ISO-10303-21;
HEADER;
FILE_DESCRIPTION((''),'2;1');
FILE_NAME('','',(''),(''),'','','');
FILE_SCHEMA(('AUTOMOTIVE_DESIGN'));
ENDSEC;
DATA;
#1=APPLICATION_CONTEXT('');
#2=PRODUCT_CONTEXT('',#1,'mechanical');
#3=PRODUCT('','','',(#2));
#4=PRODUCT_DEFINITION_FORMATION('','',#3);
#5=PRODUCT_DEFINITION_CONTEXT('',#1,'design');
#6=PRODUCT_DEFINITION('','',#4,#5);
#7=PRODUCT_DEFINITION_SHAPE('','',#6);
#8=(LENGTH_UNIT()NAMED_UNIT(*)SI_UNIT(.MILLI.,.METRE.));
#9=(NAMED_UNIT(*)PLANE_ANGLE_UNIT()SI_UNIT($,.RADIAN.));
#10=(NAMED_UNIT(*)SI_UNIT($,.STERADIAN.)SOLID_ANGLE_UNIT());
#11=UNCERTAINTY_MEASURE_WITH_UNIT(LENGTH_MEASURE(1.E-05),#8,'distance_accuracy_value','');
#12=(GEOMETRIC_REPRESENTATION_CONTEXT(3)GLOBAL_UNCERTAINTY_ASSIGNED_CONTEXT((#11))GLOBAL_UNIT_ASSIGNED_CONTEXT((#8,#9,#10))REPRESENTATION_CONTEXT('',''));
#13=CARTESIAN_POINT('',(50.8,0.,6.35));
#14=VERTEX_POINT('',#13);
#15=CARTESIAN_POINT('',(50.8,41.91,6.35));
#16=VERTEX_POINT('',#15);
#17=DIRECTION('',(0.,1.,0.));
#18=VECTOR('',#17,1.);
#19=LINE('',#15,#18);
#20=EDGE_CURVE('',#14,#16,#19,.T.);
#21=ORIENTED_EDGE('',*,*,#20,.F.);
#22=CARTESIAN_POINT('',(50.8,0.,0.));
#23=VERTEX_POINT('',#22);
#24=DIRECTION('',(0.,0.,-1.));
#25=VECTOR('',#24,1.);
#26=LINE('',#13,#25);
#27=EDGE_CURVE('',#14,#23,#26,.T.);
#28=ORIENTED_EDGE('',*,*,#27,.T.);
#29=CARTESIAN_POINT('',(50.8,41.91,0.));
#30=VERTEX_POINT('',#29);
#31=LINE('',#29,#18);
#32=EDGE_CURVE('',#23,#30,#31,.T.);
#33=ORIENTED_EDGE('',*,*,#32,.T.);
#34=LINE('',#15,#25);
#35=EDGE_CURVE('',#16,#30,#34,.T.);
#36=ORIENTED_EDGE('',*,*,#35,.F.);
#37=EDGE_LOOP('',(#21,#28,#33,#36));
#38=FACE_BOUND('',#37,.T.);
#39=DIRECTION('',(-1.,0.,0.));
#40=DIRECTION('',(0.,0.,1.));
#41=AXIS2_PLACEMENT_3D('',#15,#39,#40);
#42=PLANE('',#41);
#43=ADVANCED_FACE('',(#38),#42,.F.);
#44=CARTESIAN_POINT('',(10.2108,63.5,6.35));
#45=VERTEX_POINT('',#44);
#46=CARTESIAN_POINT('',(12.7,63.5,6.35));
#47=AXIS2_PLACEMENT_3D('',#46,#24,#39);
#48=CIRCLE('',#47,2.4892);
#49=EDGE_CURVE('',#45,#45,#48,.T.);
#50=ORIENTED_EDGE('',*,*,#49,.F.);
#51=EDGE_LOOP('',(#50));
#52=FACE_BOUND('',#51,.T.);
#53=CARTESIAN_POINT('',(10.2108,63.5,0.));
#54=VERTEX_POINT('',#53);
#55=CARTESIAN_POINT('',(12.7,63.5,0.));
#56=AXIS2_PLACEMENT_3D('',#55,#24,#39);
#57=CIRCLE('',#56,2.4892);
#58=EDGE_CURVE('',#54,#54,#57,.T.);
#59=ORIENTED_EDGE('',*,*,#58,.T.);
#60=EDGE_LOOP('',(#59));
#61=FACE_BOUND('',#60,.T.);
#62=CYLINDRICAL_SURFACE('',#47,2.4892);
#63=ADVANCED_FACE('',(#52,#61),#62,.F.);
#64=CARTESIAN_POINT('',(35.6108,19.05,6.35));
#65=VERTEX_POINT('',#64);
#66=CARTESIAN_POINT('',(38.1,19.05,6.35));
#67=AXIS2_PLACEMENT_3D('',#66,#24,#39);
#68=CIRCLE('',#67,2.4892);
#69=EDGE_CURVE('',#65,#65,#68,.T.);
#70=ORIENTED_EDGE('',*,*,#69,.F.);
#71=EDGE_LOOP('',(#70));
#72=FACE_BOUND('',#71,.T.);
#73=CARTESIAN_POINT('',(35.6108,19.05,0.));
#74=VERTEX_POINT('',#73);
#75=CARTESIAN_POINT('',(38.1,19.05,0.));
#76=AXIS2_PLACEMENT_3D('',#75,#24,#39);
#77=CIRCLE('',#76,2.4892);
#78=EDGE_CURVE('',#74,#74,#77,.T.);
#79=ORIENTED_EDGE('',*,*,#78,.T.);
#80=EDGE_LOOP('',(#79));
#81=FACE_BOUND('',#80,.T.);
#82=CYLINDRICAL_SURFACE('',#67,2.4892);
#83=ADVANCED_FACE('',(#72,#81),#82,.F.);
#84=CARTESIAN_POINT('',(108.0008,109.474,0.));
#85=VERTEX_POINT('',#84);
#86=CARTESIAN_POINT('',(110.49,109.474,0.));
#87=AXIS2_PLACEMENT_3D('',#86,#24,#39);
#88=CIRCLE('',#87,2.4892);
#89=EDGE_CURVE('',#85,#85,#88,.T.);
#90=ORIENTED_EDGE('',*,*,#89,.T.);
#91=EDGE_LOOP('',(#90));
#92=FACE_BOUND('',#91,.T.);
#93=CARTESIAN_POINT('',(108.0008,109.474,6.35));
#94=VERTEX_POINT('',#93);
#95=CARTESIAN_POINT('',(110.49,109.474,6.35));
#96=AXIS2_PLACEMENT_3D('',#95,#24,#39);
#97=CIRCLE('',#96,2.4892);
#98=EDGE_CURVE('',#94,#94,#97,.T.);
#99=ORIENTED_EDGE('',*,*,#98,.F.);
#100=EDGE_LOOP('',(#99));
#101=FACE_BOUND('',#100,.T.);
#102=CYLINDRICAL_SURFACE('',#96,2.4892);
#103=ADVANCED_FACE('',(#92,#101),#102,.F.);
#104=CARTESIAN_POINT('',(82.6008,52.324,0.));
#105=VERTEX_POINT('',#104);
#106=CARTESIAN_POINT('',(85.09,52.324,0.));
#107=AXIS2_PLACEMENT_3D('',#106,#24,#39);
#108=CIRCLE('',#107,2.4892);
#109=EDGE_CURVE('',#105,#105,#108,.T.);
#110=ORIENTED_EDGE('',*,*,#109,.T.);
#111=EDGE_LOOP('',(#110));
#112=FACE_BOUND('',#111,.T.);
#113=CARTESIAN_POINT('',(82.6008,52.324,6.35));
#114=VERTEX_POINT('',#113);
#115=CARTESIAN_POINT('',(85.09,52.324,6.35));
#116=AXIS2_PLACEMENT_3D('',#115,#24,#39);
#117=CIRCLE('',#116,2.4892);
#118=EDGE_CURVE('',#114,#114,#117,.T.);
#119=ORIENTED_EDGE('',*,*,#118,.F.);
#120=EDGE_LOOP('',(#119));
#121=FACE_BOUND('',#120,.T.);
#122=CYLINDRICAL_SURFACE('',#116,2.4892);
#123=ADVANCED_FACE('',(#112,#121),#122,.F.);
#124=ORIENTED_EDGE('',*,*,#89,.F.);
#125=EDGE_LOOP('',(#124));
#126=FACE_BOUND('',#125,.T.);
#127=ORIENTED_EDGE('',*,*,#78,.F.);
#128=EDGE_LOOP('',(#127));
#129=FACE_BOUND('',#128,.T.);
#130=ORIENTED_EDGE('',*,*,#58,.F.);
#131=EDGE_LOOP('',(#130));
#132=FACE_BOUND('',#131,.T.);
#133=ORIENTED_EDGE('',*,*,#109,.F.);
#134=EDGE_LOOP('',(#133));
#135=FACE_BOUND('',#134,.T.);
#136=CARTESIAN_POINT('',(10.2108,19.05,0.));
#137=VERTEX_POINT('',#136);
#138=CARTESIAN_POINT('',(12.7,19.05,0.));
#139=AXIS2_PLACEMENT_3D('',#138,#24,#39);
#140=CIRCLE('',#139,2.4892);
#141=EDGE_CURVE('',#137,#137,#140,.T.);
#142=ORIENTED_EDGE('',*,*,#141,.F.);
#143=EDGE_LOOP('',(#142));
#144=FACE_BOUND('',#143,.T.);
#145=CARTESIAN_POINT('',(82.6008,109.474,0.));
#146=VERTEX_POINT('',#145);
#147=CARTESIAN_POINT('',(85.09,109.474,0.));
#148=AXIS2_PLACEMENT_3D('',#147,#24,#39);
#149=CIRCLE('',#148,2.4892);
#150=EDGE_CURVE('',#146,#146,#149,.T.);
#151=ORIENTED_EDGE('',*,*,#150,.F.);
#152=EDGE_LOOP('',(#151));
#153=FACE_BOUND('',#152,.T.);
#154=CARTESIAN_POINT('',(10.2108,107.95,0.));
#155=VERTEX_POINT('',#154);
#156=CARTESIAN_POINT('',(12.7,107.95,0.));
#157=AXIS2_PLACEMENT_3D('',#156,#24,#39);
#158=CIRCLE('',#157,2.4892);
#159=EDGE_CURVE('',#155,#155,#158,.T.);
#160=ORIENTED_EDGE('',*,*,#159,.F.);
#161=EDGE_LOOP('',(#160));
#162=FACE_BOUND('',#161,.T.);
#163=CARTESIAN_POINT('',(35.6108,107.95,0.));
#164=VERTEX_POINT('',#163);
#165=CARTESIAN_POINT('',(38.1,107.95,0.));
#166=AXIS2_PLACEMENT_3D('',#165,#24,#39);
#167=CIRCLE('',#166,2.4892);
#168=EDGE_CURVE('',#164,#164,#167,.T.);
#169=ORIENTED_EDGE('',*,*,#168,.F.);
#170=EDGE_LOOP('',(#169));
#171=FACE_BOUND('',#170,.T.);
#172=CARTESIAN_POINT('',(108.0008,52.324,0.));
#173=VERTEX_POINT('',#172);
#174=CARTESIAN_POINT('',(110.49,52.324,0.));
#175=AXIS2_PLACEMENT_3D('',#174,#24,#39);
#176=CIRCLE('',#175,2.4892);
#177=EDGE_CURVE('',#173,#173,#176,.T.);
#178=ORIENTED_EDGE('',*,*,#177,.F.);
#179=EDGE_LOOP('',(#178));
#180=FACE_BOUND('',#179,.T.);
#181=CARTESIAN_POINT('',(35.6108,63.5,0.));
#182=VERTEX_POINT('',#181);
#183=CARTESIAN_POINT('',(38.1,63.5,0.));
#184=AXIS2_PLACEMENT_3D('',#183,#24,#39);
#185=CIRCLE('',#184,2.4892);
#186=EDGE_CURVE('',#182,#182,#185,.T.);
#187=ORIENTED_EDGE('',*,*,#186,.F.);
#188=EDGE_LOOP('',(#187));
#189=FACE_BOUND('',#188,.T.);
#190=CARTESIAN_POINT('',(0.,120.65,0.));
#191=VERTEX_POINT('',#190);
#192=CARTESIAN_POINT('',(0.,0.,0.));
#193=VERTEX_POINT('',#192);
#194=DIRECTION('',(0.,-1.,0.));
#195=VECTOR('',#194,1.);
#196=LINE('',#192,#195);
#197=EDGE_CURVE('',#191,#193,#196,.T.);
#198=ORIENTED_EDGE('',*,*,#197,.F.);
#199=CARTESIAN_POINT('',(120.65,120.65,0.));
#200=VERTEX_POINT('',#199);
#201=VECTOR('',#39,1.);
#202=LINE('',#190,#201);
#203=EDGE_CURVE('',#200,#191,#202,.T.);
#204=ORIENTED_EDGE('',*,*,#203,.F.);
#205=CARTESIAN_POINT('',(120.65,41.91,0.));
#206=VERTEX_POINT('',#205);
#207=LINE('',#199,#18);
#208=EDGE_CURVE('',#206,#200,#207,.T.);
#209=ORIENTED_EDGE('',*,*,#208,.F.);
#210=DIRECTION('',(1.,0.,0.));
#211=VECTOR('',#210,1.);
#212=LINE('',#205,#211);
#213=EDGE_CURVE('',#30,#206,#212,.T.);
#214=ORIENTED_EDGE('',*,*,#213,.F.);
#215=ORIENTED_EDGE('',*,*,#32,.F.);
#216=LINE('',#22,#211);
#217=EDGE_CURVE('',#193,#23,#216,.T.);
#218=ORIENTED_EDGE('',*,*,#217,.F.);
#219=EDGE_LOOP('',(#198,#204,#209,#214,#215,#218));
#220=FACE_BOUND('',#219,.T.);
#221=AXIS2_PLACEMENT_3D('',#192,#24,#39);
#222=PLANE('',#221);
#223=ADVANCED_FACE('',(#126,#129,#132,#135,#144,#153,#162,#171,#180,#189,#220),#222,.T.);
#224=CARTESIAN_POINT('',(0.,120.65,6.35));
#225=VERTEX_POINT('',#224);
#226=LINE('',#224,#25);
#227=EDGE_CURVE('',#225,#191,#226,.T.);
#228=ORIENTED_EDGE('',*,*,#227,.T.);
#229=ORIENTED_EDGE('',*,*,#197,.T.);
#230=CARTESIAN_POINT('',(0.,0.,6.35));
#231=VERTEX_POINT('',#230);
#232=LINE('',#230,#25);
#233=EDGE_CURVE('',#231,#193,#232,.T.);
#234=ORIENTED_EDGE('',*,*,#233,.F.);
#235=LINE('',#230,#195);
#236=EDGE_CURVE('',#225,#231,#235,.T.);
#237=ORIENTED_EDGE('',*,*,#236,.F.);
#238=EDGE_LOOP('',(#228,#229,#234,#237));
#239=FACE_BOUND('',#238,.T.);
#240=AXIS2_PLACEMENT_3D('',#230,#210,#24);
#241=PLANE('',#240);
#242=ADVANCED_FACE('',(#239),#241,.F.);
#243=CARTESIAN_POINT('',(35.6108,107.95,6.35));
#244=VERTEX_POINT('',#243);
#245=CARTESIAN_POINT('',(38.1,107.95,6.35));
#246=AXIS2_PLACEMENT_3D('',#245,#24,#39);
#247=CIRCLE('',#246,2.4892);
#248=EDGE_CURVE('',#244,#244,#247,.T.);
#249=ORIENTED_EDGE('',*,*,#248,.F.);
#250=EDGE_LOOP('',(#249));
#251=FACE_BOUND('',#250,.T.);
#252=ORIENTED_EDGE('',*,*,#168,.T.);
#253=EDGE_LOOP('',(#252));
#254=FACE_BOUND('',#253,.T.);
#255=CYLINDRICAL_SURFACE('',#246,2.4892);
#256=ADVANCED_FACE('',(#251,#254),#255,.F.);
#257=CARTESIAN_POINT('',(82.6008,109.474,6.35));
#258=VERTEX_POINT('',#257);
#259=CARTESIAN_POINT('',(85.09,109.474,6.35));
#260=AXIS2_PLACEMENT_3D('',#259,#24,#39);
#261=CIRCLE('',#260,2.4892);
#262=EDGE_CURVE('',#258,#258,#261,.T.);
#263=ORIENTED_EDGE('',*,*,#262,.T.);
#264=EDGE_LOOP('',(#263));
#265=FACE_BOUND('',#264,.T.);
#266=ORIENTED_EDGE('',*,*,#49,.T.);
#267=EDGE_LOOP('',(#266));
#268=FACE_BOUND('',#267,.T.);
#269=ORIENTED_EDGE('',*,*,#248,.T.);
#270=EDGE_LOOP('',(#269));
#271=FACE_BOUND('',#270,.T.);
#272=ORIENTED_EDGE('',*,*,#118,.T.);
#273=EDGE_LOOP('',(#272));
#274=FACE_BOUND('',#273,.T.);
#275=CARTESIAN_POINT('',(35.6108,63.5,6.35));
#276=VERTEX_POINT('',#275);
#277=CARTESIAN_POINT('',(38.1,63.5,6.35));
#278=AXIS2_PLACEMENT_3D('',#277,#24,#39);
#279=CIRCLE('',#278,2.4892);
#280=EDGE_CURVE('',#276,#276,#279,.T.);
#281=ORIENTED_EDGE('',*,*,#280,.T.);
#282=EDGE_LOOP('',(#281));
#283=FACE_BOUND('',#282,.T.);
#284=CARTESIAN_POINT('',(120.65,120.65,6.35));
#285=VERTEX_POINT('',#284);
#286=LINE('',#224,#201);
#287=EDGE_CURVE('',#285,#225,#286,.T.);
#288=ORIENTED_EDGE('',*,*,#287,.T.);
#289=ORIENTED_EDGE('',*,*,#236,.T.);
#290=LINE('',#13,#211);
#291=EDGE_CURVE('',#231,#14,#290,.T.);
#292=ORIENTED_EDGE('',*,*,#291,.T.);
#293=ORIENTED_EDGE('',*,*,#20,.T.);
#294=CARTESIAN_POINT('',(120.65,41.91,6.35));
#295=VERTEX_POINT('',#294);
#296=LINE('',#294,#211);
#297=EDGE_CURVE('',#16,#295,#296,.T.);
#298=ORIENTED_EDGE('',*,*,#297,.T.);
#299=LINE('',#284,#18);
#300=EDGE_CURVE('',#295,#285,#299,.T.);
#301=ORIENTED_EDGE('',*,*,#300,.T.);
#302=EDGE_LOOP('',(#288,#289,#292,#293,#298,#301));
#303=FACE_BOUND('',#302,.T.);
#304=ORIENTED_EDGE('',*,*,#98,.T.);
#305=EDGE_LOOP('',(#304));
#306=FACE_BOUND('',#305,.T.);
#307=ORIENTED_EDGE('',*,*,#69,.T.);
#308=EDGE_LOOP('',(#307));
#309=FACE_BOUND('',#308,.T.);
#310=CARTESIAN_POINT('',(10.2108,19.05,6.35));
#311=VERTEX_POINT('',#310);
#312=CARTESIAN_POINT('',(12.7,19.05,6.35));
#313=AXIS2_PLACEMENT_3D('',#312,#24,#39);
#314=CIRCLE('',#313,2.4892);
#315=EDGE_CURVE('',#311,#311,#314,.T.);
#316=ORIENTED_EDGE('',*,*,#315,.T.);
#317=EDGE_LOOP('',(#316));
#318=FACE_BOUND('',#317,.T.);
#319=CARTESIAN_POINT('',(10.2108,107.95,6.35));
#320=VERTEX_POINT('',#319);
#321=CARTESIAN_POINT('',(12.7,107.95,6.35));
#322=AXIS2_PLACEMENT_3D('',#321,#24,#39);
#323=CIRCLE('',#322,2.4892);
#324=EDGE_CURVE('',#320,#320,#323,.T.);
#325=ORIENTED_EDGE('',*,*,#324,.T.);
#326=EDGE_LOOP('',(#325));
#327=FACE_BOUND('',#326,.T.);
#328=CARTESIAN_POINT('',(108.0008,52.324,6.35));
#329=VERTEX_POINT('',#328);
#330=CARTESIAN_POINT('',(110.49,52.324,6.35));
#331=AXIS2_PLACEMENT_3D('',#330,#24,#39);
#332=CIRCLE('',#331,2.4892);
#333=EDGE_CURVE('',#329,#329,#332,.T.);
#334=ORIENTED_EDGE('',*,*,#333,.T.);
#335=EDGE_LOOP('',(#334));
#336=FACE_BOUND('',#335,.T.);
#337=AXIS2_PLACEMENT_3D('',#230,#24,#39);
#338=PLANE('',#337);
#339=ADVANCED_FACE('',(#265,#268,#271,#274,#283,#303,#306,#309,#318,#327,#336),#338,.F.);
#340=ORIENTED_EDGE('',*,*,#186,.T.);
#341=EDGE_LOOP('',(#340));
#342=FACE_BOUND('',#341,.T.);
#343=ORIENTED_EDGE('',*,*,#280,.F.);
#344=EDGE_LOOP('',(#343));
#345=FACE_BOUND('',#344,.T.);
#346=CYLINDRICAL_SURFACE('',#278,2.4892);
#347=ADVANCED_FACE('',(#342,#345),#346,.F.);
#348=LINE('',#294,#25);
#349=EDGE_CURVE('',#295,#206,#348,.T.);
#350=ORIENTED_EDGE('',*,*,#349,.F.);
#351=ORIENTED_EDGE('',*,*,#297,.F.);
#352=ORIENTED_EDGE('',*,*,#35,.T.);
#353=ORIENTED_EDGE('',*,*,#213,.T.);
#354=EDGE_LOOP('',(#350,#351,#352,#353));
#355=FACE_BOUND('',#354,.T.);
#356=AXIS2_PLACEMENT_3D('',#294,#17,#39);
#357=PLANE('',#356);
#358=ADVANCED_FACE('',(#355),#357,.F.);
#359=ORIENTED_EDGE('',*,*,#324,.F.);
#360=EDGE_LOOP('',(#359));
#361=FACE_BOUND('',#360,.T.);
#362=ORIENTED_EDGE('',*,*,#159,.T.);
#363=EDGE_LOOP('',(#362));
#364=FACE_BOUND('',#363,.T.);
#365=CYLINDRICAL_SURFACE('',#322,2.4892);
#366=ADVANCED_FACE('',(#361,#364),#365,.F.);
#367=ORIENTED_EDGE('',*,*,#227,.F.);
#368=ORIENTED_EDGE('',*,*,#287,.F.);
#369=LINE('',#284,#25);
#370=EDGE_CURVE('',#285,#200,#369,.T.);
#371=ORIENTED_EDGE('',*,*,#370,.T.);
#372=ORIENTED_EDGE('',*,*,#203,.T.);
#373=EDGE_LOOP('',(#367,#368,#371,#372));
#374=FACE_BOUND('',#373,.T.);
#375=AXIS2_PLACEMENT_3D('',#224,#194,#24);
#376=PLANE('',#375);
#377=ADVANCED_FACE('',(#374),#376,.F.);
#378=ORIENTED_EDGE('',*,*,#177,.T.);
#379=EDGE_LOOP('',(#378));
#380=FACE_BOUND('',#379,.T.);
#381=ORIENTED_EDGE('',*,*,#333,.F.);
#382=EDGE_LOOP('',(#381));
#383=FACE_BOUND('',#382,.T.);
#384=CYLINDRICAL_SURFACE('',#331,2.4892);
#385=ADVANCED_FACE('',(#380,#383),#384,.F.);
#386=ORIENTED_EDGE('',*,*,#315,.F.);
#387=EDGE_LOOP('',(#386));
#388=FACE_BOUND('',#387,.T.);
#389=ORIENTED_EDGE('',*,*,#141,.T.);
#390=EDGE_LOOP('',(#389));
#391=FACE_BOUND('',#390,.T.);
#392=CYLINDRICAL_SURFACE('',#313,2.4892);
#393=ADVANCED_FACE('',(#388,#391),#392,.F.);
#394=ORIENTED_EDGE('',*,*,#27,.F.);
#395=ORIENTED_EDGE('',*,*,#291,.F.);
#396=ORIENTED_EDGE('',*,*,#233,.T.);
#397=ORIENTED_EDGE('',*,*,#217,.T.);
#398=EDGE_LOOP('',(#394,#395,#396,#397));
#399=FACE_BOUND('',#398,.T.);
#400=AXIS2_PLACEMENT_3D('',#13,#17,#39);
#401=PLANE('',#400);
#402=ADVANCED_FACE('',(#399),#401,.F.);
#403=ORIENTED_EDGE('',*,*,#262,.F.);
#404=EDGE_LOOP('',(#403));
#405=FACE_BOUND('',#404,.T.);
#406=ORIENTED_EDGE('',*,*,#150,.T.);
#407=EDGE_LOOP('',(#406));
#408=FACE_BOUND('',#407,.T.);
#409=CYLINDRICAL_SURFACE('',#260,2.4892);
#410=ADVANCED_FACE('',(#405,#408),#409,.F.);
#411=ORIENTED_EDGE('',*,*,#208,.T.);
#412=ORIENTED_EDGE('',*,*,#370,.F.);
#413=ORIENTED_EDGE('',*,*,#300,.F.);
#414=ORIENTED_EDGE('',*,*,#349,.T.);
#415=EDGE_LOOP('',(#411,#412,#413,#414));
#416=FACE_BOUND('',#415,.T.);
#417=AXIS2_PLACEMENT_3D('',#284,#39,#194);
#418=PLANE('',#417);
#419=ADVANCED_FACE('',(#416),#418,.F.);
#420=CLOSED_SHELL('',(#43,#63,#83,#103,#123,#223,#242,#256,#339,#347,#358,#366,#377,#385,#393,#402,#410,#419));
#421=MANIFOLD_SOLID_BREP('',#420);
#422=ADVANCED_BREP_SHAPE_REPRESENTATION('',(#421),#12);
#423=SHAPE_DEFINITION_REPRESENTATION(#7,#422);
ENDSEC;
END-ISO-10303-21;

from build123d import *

# Parameters (mm, degrees)
BOSS_EXTRUDE1_DEPTH = 6.35
SKETCH2_R           = 2.4892
CUT_EXTRUDE1_DEPTH  = 7.35


with BuildPart() as part:
    # Sketch1 → Boss-Extrude1 (new body)
    with BuildSketch(Plane.XY):
        Polygon((0, 0), (0, 120.65), (120.65, 120.65), (120.65, 41.91), (50.8, 41.91), (50.8, 0), align=None)
    extrude(amount=BOSS_EXTRUDE1_DEPTH)

    # Sketch2 → Cut-Extrude1 (cut, through all)
    with BuildSketch(Plane(origin=(0, 0, 0), x_dir=(-1, 0, 0), z_dir=(0, 0, -1))):
        with Locations((-110.49, 109.474)):
            Circle(SKETCH2_R)
        with Locations((-85.09, 109.474)):
            Circle(SKETCH2_R)
        with Locations((-85.09, 52.324)):
            Circle(SKETCH2_R)
        with Locations((-110.49, 52.324)):
            Circle(SKETCH2_R)
        with Locations((-38.1, 107.95)):
            Circle(SKETCH2_R)
        with Locations((-12.7, 107.95)):
            Circle(SKETCH2_R)
        with Locations((-12.7, 19.05)):
            Circle(SKETCH2_R)
        with Locations((-38.1, 19.05)):
            Circle(SKETCH2_R)
        with Locations((-38.1, 63.5)):
            Circle(SKETCH2_R)
        with Locations((-12.7, 63.5)):
            Circle(SKETCH2_R)
    extrude(amount=-CUT_EXTRUDE1_DEPTH, mode=Mode.SUBTRACT)


solid = part.part
